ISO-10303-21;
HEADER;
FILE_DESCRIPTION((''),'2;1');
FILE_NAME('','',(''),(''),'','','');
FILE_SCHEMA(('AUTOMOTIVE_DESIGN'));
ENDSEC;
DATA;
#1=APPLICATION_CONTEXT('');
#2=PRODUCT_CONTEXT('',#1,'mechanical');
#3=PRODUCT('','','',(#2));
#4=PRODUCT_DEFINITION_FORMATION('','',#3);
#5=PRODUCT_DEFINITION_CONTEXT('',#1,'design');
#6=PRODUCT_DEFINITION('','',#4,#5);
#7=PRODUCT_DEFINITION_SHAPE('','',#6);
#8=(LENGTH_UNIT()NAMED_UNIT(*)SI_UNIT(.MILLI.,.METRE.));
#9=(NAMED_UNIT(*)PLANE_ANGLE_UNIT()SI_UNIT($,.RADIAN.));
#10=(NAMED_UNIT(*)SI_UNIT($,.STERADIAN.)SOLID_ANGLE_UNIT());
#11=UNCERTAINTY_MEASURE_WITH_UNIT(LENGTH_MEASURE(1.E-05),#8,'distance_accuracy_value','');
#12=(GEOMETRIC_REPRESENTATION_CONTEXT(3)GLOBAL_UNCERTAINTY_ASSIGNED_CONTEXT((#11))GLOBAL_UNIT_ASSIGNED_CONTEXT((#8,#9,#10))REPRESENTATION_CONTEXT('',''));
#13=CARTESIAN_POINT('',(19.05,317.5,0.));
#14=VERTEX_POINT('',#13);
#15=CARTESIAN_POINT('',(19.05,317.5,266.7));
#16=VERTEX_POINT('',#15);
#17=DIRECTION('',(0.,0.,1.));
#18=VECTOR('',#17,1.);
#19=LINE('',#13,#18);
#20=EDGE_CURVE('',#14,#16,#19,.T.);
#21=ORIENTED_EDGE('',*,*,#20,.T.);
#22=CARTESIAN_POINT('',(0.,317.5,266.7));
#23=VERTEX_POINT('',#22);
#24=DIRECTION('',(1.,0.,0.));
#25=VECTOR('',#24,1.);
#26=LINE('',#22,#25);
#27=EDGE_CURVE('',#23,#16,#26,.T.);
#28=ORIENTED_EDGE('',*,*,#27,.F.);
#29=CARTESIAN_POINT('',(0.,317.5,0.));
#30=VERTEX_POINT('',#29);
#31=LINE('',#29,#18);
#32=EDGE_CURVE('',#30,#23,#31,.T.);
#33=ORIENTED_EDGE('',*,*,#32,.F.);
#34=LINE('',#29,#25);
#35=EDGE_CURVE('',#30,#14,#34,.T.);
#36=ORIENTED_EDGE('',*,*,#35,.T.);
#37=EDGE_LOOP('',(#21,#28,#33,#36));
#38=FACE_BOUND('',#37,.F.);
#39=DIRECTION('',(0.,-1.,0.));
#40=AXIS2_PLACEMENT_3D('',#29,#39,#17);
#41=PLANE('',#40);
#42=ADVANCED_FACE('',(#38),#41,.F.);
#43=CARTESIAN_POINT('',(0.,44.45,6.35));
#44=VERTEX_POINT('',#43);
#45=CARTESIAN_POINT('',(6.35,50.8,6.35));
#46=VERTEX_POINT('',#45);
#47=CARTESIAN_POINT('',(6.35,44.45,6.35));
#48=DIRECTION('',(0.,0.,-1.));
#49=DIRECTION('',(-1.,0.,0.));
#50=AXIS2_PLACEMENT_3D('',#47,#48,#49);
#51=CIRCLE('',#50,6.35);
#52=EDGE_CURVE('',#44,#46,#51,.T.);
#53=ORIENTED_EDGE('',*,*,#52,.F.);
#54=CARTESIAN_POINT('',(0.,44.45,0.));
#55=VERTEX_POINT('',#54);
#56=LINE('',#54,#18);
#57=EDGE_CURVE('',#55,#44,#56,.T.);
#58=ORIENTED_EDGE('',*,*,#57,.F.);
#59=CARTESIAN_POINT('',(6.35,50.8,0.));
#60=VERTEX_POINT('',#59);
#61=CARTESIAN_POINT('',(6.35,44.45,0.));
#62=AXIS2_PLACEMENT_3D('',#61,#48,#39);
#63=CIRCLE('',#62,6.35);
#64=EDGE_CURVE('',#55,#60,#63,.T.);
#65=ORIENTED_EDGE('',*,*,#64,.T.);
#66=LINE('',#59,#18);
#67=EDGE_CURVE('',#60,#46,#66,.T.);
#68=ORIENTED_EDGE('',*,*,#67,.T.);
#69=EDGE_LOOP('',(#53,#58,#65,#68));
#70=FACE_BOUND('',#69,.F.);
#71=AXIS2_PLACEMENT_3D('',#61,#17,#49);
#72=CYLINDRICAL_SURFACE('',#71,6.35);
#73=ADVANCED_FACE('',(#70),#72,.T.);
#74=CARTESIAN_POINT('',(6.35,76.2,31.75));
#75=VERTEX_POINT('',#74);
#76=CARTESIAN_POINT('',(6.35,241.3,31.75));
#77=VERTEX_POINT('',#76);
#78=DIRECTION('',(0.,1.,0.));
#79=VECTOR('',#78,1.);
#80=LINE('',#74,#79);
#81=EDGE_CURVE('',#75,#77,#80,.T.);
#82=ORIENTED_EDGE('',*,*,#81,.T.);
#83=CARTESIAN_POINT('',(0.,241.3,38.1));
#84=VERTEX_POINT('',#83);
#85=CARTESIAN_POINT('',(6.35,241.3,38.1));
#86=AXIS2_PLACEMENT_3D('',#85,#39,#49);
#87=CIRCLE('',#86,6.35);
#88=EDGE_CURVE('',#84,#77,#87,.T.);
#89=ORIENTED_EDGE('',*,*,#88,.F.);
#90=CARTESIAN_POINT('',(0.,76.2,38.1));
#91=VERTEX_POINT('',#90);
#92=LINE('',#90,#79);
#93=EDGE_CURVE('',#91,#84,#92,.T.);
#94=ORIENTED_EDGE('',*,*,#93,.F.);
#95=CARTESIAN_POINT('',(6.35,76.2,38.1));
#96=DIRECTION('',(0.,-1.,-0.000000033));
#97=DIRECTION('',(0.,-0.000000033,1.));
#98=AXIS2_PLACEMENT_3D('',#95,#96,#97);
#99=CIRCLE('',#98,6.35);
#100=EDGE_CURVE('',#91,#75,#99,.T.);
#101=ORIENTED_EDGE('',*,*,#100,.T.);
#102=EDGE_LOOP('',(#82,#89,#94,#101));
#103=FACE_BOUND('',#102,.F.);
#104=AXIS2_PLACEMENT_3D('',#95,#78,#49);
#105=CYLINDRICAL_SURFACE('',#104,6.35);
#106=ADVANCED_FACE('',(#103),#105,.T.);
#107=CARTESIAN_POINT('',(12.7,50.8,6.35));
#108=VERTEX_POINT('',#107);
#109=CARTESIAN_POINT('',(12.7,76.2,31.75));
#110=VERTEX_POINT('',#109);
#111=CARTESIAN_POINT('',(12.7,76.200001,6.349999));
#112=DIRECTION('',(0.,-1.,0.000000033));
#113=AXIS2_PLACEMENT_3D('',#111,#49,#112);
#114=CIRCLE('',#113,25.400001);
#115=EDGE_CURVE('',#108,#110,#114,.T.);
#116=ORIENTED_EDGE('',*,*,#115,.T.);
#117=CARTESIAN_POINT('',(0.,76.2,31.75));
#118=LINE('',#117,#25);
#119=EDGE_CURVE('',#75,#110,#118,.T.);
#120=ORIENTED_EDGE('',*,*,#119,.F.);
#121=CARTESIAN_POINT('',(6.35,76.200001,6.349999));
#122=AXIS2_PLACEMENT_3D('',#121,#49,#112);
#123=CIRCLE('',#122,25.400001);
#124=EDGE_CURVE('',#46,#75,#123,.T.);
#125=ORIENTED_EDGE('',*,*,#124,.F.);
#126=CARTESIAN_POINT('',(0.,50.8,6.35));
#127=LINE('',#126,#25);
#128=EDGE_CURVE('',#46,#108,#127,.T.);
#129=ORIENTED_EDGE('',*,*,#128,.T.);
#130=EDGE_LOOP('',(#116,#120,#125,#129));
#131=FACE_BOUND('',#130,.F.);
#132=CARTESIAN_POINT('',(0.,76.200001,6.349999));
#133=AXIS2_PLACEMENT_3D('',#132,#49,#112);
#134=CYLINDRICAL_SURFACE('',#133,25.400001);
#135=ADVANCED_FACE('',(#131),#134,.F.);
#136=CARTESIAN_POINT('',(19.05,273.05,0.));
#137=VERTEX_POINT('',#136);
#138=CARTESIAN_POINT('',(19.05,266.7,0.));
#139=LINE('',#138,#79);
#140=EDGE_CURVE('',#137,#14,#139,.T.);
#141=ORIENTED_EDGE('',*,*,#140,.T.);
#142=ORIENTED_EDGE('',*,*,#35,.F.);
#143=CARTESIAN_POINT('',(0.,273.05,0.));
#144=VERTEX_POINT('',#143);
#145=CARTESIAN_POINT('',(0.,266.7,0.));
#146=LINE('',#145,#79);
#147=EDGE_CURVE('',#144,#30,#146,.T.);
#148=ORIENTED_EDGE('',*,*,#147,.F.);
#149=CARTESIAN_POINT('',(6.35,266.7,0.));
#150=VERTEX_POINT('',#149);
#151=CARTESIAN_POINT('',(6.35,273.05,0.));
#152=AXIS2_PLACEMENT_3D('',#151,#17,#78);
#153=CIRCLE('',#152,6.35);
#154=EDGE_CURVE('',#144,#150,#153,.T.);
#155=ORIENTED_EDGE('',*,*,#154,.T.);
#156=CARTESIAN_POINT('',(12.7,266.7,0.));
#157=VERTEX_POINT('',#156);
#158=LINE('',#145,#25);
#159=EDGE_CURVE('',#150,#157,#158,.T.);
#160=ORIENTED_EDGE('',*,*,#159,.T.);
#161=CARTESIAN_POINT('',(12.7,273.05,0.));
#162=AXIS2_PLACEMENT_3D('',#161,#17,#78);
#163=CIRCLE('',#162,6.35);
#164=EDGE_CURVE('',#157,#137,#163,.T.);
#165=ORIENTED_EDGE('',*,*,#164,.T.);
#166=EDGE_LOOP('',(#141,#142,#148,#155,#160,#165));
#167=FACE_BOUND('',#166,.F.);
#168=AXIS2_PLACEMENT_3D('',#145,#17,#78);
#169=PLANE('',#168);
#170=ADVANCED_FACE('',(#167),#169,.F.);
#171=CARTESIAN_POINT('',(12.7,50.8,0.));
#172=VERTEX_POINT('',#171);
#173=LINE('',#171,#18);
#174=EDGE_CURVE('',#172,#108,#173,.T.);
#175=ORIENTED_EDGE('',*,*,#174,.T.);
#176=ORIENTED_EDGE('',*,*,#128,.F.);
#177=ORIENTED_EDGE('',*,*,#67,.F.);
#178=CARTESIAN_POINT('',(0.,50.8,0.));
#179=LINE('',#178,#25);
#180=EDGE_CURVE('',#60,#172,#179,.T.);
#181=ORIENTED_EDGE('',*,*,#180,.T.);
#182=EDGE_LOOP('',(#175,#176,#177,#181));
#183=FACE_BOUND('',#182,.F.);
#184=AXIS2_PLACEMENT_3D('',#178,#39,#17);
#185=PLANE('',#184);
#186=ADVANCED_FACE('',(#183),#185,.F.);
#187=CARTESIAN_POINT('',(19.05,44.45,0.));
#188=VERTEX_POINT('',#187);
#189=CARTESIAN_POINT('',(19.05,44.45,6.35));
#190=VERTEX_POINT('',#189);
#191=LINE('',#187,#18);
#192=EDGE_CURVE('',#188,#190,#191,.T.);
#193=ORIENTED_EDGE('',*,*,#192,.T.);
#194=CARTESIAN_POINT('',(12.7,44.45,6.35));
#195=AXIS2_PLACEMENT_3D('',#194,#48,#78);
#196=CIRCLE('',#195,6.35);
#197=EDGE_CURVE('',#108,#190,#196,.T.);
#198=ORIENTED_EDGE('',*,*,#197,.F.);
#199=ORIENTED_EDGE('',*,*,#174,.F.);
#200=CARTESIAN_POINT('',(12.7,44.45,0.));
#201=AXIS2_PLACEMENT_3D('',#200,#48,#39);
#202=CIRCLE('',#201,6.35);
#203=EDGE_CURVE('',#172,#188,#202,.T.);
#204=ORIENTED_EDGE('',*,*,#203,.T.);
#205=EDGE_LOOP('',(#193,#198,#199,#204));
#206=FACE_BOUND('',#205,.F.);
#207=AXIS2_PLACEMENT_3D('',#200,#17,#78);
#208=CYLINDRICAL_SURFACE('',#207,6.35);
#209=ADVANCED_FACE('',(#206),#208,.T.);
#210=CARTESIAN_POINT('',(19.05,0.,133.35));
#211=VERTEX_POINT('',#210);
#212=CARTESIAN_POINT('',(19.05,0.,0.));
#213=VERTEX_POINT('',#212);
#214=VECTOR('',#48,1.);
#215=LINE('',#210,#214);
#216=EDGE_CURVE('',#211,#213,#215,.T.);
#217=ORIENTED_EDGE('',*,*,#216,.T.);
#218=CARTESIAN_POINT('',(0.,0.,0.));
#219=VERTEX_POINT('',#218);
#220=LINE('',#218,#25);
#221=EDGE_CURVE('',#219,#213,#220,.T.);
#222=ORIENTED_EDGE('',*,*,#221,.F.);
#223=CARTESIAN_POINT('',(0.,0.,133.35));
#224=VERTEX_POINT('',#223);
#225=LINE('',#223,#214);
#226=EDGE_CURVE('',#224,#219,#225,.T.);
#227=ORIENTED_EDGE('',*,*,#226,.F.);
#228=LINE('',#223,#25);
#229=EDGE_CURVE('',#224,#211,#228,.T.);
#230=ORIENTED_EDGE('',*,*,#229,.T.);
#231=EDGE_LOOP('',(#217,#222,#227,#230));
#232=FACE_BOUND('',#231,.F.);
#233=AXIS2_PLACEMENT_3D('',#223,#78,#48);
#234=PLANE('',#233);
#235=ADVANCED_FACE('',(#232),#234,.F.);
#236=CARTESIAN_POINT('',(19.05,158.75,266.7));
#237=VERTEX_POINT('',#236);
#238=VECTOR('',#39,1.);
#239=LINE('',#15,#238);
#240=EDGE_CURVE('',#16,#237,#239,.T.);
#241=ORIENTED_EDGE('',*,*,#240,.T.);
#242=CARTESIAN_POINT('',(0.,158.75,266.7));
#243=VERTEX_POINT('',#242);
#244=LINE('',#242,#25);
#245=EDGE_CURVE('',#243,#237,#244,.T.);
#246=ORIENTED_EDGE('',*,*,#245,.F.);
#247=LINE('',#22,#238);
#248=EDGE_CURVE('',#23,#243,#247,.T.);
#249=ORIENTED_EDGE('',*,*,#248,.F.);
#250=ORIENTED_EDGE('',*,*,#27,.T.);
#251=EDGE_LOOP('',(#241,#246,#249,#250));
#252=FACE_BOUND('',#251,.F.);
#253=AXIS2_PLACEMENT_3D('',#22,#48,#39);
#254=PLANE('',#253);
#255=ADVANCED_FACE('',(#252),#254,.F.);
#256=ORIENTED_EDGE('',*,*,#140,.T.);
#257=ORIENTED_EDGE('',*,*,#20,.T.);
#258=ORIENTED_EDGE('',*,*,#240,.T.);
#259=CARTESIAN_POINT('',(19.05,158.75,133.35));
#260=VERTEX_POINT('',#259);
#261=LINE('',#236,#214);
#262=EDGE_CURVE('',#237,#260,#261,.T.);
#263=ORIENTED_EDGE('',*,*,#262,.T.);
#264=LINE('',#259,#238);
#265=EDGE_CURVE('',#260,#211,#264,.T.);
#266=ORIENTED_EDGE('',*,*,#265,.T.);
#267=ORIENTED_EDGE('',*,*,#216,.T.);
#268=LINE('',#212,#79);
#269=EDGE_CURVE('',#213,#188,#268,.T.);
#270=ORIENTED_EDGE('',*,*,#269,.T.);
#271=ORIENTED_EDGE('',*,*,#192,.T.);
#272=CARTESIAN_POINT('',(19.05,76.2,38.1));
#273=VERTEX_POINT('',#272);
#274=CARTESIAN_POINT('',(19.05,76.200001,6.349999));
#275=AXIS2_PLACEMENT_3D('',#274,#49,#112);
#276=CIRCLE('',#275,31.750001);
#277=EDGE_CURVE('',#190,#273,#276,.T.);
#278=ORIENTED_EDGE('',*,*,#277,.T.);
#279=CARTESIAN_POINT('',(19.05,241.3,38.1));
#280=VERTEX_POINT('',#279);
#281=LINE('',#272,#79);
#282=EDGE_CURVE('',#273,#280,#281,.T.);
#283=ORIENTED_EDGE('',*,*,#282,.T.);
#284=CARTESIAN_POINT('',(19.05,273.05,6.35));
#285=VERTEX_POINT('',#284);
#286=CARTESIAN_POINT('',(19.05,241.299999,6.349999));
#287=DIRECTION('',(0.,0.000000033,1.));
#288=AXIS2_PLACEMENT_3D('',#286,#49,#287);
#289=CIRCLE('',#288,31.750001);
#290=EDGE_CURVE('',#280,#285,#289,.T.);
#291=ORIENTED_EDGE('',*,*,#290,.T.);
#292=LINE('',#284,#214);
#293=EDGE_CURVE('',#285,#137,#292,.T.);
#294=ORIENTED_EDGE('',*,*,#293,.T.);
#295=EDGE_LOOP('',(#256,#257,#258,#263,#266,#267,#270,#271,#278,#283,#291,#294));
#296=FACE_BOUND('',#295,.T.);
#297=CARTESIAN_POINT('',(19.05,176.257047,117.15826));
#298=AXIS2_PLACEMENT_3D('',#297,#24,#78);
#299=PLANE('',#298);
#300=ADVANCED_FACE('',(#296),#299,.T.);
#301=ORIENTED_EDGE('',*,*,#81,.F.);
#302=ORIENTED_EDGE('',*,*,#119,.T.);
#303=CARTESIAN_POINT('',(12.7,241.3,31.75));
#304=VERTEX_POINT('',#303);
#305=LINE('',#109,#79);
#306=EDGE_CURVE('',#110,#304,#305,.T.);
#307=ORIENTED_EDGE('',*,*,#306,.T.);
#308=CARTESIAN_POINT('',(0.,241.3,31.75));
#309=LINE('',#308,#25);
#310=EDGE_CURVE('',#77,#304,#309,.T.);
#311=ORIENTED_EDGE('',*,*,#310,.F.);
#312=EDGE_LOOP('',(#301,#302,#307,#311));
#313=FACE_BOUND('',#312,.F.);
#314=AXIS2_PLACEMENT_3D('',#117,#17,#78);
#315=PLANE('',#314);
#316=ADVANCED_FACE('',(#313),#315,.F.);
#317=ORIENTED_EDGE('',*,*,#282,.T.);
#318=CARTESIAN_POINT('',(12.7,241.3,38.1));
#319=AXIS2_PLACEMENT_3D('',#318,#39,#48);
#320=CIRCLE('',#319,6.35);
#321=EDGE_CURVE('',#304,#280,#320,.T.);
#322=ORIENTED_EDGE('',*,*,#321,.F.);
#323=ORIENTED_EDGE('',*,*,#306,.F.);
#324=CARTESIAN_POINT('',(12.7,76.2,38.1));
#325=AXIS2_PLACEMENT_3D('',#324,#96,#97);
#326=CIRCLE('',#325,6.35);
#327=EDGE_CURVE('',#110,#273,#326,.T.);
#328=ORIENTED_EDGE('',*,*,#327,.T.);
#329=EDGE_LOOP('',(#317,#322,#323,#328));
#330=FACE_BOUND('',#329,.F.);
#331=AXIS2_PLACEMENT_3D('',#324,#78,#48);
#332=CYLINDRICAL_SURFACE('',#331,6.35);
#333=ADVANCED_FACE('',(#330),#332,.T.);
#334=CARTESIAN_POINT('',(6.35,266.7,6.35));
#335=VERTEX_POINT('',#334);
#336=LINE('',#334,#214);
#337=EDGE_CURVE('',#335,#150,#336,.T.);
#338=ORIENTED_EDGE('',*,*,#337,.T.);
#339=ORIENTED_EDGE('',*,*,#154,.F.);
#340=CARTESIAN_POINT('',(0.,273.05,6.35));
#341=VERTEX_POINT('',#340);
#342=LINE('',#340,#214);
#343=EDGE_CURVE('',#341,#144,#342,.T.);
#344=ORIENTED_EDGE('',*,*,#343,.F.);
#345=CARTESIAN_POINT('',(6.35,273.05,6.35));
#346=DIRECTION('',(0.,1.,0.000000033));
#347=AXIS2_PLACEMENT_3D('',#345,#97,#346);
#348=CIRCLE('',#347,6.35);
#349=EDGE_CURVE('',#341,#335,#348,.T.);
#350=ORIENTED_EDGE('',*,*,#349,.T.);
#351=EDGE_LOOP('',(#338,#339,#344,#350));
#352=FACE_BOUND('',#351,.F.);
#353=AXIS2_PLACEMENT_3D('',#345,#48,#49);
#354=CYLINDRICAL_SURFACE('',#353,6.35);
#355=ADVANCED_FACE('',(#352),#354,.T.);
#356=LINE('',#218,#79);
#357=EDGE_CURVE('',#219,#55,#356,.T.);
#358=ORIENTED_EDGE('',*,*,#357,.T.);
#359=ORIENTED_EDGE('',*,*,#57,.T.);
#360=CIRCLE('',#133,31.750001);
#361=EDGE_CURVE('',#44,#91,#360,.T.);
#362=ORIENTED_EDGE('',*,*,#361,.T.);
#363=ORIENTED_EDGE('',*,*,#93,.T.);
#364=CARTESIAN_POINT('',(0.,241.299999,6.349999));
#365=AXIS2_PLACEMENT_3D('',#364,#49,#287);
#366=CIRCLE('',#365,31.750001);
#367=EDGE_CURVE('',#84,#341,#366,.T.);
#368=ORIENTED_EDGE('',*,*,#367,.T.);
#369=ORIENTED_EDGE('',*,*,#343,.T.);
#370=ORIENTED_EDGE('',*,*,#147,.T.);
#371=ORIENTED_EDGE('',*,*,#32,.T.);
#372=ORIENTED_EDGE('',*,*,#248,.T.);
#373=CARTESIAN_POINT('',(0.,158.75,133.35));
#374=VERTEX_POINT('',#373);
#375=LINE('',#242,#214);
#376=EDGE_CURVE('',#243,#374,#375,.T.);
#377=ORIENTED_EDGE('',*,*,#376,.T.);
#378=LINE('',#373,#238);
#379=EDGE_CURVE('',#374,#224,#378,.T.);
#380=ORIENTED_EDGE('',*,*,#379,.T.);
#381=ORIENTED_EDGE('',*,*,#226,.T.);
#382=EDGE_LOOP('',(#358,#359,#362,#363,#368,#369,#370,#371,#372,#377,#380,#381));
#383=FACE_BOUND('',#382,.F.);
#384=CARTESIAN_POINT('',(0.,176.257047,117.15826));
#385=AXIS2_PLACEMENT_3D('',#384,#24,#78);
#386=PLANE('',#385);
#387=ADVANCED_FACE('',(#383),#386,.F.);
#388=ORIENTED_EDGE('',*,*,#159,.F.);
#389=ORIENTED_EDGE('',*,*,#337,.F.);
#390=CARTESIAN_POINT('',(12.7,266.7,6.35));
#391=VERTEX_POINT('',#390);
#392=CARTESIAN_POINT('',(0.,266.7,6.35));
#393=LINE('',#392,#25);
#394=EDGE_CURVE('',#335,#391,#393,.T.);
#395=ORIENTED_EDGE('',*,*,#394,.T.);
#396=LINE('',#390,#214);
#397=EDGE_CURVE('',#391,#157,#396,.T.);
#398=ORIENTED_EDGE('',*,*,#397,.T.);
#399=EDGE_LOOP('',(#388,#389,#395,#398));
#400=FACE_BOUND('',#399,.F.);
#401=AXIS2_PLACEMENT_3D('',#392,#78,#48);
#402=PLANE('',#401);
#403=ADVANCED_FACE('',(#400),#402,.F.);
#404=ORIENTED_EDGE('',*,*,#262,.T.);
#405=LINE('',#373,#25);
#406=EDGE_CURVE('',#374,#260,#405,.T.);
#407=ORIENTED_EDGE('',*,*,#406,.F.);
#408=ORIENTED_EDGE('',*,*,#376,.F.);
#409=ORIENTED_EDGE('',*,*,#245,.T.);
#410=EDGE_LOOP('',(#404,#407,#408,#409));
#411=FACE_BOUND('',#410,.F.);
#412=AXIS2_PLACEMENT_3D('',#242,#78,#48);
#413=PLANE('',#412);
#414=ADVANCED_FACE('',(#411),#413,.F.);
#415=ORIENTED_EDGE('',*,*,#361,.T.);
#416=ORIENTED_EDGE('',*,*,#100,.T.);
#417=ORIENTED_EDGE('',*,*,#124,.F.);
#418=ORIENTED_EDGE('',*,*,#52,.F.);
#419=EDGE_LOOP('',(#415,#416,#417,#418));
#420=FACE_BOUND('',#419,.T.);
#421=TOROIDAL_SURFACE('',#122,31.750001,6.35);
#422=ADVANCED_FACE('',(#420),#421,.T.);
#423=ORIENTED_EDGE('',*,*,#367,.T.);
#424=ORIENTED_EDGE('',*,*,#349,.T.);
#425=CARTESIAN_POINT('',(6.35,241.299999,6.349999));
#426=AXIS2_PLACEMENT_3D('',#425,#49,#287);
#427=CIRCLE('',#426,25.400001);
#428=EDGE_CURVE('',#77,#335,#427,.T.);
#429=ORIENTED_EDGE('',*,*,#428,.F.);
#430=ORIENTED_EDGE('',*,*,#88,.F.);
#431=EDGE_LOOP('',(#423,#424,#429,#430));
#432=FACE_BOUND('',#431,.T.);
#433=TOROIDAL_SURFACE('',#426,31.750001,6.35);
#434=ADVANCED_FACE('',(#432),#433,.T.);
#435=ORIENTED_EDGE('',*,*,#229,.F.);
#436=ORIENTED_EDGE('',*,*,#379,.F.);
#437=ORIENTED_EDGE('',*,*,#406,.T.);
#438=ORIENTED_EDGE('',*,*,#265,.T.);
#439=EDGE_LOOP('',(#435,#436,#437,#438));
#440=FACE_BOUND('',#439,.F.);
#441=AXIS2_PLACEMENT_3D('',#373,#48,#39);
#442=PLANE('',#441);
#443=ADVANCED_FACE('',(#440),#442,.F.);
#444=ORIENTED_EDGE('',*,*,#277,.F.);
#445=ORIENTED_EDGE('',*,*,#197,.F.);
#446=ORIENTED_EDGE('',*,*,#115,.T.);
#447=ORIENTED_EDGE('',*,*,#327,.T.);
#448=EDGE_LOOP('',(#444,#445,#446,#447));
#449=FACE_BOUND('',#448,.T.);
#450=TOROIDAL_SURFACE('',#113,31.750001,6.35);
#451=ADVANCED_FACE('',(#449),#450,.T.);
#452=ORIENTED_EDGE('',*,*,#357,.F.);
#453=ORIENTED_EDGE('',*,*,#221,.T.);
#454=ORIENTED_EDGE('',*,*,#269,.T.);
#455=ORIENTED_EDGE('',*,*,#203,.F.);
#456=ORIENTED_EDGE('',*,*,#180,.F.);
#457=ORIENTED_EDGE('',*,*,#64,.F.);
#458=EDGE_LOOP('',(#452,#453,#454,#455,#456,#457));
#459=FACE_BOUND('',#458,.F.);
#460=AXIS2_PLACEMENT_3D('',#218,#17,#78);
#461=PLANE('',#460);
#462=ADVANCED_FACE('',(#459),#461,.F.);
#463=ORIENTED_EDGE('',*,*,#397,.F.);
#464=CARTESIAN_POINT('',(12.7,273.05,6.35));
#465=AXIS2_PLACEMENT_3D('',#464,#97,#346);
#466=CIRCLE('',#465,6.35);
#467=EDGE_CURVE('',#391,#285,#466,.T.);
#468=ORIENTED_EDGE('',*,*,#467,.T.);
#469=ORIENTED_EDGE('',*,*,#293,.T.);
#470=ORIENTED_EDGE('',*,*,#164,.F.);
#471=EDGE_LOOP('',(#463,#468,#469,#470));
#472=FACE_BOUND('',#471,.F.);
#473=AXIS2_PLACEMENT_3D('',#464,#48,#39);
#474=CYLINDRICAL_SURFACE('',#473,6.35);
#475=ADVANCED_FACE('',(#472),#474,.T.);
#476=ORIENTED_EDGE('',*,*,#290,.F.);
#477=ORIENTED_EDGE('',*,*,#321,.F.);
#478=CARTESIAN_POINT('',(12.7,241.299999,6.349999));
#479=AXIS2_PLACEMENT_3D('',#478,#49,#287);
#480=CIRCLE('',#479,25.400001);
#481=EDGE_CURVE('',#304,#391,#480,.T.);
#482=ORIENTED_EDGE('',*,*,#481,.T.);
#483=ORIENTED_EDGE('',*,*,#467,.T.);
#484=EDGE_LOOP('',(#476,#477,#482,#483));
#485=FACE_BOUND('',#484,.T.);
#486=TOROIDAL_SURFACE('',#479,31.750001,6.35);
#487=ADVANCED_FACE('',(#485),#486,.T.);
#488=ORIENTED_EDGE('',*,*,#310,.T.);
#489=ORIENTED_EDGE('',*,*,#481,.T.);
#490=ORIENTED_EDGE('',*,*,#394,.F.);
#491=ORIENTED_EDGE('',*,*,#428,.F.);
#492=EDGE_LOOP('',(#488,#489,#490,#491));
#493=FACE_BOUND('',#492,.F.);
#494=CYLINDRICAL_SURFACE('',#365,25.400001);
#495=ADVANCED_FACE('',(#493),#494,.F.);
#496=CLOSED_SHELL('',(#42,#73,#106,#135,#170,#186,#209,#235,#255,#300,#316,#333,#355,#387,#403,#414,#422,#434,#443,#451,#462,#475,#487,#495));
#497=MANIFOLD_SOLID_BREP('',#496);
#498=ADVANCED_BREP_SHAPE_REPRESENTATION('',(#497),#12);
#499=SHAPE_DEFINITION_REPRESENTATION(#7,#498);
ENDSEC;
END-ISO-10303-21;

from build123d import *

# Parameters (mm, degrees)
F1_DEPTH = 19.05
F2_R     = 6.35
F3_R     = 6.35


with BuildPart() as f1:
    # F0 (on Right) → F1 (new body)
    with BuildSketch(Plane.YZ):
        with BuildLine():
            Line((0, 133.35), (0, 0))
            Line((0, 0), (50.8, 0))
            Line((50.8, 0), (50.8, 6.35))
            ThreePointArc((50.8, 6.35), (58.239488, 24.310512), (76.2, 31.75))
            Line((76.2, 31.75), (241.3, 31.75))
            ThreePointArc((241.3, 31.75), (259.260512, 24.310512), (266.7, 6.35))
            Line((266.7, 6.35), (266.7, 0))
            Line((266.7, 0), (317.5, 0))
            Line((317.5, 0), (317.5, 266.7))
            Line((317.5, 266.7), (158.75, 266.7))
            Line((158.75, 266.7), (158.75, 133.35))
            Line((158.75, 133.35), (0, 133.35))
        make_face()
    extrude(amount=F1_DEPTH)

    # F2
    f2_edges = [f1.edges().sort_by_distance(p)[0] for p in [
        (19.05, 158.75, 31.75),
    ]]
    fillet(f2_edges, radius=F2_R)

    # F3
    f3_edges = [f1.edges().sort_by_distance(p)[0] for p in [
        (0, 158.75, 31.75),
    ]]
    fillet(f3_edges, radius=F3_R)


solid = f1.part
